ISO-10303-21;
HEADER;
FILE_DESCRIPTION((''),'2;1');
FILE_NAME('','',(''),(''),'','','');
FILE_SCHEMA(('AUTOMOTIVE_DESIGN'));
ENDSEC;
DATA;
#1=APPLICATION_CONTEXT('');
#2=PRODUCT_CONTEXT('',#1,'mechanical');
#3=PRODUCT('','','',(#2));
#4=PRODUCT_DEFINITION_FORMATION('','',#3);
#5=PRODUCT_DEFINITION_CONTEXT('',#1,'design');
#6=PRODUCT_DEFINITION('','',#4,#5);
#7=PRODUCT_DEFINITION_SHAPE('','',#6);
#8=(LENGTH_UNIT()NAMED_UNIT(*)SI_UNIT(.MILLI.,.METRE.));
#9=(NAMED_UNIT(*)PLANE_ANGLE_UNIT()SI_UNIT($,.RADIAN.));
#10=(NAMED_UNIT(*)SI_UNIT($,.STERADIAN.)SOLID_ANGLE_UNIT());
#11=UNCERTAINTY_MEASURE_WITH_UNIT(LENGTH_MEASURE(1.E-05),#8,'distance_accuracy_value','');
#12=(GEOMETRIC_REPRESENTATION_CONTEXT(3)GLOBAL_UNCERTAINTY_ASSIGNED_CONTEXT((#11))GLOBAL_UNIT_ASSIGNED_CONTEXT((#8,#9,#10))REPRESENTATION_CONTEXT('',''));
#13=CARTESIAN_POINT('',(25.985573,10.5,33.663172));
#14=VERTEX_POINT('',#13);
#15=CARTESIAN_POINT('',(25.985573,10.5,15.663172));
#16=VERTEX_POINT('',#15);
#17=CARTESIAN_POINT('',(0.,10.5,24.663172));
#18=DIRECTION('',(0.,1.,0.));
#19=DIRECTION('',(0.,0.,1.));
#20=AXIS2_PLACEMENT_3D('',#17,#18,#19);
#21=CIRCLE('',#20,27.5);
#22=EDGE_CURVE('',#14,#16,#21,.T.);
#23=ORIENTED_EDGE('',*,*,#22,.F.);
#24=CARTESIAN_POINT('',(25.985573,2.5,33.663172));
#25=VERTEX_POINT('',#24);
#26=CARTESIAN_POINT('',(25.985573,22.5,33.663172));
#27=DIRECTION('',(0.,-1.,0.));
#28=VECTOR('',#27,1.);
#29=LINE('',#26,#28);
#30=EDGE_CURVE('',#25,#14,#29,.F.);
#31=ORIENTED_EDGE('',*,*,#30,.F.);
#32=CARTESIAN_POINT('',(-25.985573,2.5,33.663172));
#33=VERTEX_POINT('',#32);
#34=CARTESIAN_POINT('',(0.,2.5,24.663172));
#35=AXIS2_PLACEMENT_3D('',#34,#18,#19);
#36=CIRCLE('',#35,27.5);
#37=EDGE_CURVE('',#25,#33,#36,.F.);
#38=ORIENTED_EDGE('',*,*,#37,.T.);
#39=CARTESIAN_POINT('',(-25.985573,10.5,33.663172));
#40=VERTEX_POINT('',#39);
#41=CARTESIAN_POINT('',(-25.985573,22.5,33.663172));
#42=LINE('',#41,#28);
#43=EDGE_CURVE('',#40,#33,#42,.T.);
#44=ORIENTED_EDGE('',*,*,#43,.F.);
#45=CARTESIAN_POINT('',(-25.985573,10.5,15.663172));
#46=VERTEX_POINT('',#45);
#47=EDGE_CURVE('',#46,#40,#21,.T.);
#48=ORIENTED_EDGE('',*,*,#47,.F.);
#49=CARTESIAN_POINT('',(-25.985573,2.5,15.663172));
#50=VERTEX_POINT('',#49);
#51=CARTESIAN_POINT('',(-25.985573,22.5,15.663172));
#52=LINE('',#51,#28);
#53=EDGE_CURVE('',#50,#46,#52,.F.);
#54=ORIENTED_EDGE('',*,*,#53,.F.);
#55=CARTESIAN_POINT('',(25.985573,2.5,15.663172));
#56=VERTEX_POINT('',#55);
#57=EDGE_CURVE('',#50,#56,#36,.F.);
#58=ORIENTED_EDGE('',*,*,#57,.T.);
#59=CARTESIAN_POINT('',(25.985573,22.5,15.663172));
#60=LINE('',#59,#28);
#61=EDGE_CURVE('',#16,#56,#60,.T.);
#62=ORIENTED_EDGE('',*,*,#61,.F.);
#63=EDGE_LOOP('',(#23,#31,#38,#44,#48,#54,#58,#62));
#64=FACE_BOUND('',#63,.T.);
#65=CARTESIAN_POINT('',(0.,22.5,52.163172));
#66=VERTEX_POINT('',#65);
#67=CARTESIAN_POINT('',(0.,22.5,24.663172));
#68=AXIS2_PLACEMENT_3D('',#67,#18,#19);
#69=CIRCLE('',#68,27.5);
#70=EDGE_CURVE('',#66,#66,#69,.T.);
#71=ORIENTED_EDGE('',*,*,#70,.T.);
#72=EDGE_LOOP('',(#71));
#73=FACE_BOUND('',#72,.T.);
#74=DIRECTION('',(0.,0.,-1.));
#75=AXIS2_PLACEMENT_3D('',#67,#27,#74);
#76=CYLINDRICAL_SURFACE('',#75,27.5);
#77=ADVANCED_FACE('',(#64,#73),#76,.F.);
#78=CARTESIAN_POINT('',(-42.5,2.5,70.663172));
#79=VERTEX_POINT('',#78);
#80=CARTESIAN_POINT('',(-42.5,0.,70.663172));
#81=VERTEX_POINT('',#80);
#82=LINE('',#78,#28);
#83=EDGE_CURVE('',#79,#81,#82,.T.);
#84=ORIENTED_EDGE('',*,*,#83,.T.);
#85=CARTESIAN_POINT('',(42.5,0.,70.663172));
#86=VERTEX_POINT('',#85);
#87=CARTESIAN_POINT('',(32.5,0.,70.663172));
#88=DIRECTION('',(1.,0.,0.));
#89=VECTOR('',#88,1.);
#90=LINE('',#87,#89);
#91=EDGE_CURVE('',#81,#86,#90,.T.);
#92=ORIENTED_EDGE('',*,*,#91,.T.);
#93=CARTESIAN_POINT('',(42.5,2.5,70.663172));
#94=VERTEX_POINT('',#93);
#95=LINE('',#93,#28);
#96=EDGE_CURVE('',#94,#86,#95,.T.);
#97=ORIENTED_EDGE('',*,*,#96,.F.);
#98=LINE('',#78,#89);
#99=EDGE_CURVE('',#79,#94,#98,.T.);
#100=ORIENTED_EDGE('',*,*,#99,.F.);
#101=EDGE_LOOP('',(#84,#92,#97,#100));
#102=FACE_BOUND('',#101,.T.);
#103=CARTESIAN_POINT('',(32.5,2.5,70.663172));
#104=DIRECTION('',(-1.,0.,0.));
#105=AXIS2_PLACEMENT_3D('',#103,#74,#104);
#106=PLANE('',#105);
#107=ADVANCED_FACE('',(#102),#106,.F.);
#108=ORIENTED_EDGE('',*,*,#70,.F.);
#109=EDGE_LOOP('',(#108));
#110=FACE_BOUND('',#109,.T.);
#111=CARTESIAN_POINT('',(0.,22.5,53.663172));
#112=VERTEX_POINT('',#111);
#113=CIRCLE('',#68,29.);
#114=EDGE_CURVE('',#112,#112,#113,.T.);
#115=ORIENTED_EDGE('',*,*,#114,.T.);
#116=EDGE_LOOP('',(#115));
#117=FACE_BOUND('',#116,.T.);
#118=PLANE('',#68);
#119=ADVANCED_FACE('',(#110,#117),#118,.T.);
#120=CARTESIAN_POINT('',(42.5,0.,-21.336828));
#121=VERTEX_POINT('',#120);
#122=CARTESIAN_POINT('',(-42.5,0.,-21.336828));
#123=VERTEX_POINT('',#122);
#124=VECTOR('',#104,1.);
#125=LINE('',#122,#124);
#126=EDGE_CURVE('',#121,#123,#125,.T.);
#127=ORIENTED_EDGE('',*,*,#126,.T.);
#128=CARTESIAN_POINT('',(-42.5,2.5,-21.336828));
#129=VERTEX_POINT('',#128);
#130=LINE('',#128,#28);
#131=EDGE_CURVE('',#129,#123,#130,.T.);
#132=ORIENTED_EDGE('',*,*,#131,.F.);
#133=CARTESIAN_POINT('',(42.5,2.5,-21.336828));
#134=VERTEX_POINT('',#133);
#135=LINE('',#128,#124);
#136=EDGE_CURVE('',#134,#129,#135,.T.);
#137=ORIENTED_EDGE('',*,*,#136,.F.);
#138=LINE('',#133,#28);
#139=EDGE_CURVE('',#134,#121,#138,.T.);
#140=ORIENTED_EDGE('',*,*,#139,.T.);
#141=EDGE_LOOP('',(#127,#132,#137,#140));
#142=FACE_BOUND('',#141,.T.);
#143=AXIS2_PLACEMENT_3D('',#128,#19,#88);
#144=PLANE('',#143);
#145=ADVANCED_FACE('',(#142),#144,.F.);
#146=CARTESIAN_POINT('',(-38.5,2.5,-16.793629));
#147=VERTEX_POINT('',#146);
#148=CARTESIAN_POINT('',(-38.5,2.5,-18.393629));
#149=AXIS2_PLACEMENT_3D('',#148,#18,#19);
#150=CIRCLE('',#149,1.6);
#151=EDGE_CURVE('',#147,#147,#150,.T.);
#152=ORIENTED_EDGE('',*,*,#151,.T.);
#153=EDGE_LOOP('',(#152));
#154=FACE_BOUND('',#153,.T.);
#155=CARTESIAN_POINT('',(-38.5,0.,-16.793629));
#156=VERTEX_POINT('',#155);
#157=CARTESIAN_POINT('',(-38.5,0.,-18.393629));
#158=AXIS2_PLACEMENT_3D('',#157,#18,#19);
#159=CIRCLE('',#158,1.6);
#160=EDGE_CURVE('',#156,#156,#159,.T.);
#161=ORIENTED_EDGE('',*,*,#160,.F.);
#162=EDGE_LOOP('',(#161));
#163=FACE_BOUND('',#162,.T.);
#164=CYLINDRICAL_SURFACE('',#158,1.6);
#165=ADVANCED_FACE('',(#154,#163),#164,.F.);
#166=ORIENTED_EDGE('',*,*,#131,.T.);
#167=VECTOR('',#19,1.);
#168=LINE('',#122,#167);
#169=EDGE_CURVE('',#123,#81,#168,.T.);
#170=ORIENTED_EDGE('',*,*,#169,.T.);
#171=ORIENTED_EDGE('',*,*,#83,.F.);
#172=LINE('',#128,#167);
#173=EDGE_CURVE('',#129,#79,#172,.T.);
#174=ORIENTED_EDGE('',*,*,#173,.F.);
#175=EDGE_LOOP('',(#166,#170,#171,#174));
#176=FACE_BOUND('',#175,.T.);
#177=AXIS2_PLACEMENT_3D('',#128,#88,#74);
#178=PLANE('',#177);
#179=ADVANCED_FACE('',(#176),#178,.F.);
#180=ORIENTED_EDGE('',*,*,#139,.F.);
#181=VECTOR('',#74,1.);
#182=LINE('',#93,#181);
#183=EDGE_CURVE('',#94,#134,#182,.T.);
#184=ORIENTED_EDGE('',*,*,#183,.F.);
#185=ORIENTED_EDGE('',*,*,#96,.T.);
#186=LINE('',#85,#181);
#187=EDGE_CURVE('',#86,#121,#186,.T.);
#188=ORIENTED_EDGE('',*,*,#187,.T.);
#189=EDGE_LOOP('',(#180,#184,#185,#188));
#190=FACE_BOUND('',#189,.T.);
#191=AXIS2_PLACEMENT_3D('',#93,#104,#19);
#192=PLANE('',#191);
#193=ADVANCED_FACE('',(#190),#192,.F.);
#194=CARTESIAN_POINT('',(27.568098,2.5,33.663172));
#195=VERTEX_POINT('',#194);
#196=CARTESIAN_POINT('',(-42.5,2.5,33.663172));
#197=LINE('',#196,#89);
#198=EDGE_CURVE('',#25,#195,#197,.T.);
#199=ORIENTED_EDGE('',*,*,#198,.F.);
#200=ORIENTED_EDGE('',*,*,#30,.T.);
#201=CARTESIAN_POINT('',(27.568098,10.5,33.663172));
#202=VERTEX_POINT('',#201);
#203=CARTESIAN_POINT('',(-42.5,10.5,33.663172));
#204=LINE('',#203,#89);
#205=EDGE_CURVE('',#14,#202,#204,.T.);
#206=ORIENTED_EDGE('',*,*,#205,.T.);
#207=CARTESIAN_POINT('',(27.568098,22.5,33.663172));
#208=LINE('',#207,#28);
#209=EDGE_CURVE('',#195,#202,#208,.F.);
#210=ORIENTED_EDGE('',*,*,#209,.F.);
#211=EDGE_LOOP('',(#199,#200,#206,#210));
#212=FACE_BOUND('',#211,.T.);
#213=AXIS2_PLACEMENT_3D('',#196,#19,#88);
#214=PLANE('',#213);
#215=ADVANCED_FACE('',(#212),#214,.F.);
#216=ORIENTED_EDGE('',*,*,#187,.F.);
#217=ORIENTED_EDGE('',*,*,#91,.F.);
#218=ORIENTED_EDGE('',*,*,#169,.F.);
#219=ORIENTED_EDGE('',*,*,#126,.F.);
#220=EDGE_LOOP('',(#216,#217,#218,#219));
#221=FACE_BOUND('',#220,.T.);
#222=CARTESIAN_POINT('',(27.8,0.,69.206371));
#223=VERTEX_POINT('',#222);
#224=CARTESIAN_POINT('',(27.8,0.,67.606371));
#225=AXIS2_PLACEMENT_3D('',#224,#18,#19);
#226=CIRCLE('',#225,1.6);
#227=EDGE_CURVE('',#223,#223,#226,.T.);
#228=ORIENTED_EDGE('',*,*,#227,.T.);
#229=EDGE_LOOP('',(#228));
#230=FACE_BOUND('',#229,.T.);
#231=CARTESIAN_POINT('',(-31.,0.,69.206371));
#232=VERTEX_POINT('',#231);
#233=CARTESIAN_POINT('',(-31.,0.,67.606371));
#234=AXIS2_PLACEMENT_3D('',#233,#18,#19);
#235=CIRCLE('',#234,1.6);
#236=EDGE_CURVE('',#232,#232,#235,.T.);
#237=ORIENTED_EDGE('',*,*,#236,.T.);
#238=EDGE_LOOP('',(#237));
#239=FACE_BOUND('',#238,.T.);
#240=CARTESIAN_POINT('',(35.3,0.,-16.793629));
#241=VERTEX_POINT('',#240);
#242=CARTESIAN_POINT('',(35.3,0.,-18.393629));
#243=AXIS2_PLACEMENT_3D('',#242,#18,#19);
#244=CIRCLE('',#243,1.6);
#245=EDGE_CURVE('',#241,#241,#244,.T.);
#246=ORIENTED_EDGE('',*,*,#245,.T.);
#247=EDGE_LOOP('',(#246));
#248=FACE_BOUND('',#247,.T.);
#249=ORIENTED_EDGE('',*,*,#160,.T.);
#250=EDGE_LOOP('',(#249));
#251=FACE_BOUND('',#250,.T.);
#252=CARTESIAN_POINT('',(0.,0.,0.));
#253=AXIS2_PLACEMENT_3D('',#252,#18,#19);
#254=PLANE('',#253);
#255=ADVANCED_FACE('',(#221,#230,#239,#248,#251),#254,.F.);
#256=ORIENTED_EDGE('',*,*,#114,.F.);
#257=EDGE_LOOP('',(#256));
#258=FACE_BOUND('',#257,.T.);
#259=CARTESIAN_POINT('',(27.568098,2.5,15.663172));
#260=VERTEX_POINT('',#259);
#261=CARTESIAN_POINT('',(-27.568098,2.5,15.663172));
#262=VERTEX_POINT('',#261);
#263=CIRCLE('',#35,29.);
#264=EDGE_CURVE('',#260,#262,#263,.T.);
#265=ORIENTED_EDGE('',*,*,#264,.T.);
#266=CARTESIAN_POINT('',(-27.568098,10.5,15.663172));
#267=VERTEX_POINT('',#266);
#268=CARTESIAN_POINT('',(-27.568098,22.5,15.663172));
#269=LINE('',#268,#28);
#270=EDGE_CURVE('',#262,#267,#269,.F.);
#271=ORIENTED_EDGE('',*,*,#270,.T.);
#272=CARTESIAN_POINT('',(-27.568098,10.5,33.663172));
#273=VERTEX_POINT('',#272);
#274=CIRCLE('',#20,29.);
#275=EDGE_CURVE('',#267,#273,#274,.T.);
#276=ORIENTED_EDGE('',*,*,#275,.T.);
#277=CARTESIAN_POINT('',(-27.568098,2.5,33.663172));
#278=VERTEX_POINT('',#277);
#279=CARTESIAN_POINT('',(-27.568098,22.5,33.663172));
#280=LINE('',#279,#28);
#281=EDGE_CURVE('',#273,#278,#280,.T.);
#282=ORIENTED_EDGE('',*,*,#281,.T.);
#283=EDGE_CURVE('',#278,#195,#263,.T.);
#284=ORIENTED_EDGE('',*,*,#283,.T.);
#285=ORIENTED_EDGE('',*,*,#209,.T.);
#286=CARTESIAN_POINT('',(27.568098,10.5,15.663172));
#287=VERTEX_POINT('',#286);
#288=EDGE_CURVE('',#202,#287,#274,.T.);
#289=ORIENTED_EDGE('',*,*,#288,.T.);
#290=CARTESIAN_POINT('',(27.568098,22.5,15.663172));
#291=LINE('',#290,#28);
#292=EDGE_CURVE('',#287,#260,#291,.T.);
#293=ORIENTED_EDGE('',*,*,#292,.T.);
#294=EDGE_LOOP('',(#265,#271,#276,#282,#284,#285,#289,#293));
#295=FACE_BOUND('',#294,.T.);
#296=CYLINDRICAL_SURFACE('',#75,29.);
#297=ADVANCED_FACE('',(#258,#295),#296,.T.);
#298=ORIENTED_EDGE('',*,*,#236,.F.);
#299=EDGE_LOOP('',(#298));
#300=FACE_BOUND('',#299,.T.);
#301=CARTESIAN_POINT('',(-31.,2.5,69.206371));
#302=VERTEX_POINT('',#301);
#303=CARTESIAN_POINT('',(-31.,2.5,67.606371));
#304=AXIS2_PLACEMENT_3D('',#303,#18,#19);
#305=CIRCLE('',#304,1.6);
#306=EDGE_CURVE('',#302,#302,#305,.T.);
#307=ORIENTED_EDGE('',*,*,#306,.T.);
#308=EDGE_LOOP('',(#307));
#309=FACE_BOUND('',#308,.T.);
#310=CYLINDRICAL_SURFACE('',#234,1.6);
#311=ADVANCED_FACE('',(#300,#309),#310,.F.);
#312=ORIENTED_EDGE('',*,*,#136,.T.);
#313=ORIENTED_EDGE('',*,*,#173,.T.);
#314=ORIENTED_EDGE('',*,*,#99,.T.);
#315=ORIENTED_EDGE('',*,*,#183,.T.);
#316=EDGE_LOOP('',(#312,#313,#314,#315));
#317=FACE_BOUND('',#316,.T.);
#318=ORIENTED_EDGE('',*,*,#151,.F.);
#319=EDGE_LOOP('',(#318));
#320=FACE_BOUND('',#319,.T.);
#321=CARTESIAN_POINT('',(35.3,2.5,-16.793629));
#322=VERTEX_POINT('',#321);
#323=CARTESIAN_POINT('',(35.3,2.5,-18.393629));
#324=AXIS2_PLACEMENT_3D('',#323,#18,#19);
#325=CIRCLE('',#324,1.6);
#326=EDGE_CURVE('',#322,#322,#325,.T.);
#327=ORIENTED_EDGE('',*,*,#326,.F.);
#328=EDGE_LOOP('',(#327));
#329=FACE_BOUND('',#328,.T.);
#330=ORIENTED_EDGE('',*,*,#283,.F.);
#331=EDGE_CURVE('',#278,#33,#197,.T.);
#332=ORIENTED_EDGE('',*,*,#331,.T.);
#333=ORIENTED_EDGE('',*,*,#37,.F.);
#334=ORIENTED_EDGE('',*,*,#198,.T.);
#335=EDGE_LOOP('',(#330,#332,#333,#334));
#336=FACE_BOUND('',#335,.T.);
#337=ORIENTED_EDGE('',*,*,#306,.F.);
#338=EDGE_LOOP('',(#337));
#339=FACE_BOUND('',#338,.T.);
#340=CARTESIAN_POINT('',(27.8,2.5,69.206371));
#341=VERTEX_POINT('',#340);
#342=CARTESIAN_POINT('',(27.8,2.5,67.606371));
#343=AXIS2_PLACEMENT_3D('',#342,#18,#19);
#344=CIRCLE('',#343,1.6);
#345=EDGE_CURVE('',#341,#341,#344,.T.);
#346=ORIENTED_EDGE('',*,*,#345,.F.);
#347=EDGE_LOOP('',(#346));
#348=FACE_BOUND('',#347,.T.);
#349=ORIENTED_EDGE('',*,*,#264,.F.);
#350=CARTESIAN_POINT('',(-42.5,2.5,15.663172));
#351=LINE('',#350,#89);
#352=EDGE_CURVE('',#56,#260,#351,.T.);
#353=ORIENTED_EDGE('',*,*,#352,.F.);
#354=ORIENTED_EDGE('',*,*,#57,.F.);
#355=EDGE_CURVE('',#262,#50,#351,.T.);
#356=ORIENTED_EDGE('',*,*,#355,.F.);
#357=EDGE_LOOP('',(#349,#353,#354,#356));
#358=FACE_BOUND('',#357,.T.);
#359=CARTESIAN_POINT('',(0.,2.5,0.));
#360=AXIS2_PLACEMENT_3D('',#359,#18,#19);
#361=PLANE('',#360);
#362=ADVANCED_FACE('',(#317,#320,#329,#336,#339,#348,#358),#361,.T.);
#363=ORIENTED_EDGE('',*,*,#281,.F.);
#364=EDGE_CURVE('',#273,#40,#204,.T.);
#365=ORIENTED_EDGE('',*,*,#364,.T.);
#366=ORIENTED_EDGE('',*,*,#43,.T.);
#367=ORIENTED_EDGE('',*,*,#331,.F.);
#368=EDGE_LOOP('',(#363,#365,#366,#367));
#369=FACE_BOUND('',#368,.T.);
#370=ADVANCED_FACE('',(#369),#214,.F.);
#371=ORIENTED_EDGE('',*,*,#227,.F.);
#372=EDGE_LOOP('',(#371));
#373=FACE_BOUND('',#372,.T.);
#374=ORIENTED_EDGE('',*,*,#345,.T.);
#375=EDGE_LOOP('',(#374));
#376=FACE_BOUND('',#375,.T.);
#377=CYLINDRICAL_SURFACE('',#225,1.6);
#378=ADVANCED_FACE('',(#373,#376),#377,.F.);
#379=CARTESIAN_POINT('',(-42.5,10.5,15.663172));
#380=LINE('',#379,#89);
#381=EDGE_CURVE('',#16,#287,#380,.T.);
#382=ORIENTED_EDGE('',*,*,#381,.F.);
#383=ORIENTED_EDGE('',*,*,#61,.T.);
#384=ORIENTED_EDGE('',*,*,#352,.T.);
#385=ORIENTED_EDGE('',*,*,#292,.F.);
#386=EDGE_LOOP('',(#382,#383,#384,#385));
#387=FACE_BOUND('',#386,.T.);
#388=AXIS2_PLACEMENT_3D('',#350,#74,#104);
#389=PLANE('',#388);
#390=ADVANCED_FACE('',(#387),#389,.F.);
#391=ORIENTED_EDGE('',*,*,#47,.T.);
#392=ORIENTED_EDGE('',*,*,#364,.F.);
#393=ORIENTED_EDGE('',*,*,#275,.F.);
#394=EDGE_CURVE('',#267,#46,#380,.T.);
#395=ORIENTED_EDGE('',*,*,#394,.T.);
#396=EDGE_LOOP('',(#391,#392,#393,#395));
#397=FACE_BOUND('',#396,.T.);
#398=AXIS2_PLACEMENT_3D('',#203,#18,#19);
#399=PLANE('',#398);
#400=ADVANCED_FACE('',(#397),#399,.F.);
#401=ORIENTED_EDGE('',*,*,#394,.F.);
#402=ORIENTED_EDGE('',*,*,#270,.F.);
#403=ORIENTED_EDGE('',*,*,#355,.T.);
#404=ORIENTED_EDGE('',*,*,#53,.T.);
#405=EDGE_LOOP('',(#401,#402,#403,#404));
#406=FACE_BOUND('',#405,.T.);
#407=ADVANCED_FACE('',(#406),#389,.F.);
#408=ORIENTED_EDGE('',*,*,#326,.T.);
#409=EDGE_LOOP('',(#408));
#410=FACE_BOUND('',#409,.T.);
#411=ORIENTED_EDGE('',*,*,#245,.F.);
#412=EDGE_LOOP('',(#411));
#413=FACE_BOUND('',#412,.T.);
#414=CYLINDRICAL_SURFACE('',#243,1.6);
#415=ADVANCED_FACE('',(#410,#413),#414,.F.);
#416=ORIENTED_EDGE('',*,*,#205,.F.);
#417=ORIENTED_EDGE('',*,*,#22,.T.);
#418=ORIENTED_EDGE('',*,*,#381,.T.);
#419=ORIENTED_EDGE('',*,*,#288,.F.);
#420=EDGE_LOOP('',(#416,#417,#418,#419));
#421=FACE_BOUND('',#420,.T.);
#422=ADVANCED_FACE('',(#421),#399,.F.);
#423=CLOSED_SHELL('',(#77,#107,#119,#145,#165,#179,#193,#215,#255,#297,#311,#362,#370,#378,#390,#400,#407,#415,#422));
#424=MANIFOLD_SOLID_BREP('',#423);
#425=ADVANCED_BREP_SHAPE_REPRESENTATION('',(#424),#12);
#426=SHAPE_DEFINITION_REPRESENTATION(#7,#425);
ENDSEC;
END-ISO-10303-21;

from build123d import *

# Parameters (mm, degrees)
EXTRUDE_1_DEPTH          = 2.5
SKETCH_4_R               = 1.6
CUT_EXTRUDE_1_DEPTH      = 2.5
SKETCH_6_R               = 29
SKETCH_6_R_2             = 27.5
EXTRUDE_2_DEPTH          = 20
CUT_EXTRUDE_2_DEPTH      = 86.473878076
CUT_EXTRUDE_2_DEPTH_BACK = 86.473878076
SKETCH_7_W               = 18
SKETCH_7_H               = 8


with BuildPart() as part:
    # 草图2 → 凸台-拉伸1 (new body)
    with BuildSketch(Plane(origin=(0, 0, 0), x_dir=(1, 0, 0), z_dir=(0, 1, 0))):
        Polygon((-42.5, 21.336828309), (42.5, 21.336828309), (42.5, -70.663171691), (32.5, -70.663171691), (-32.5, -70.663171691), (-42.5, -70.663171691), align=None)
    extrude(amount=EXTRUDE_1_DEPTH)

    # 草图4 → 切除-拉伸1 (cut)
    with BuildSketch(Plane(origin=(0, 2.5, 0), x_dir=(1, 0, 0), z_dir=(0, 1, 0))):
        with Locations(Location((-38.5, 18.393628901, 0), (0, 0, 270))):
            Circle(SKETCH_4_R)
        with Locations(Location((35.3, 18.393628901, 0), (0, 0, 270))):
            Circle(SKETCH_4_R)
        with Locations(Location((-31, -67.606371099, 0), (0, 0, 270))):
            Circle(SKETCH_4_R)
        with Locations(Location((27.8, -67.606371099, 0), (0, 0, 270))):
            Circle(SKETCH_4_R)
    extrude(amount=-CUT_EXTRUDE_1_DEPTH, mode=Mode.SUBTRACT)

    # 草图6 → 凸台-拉伸2 (add)
    with BuildSketch(Plane(origin=(0, 2.5, 0), x_dir=(1, 0, 0), z_dir=(0, 1, 0))):
        with Locations(Location((0, -24.663171691, 0), (0, 0, 270))):
            Circle(SKETCH_6_R)
        with Locations(Location((0, -24.663171691, 0), (0, 0, 270))):
            Circle(SKETCH_6_R_2, mode=Mode.SUBTRACT)
    extrude(amount=EXTRUDE_2_DEPTH)

    # 草图7 → 切除-拉伸2 (cut, two sides: drawn at the far end of the back side and taken through both)
    with BuildSketch(Plane(origin=(0, 0, 0), x_dir=(0, 0, -1), z_dir=(1, 0, 0)).offset(-CUT_EXTRUDE_2_DEPTH_BACK)):
        with Locations((-24.663171691, 6.5)):
            Rectangle(SKETCH_7_W, SKETCH_7_H)
    extrude(amount=CUT_EXTRUDE_2_DEPTH + CUT_EXTRUDE_2_DEPTH_BACK, mode=Mode.SUBTRACT)


solid = part.part
